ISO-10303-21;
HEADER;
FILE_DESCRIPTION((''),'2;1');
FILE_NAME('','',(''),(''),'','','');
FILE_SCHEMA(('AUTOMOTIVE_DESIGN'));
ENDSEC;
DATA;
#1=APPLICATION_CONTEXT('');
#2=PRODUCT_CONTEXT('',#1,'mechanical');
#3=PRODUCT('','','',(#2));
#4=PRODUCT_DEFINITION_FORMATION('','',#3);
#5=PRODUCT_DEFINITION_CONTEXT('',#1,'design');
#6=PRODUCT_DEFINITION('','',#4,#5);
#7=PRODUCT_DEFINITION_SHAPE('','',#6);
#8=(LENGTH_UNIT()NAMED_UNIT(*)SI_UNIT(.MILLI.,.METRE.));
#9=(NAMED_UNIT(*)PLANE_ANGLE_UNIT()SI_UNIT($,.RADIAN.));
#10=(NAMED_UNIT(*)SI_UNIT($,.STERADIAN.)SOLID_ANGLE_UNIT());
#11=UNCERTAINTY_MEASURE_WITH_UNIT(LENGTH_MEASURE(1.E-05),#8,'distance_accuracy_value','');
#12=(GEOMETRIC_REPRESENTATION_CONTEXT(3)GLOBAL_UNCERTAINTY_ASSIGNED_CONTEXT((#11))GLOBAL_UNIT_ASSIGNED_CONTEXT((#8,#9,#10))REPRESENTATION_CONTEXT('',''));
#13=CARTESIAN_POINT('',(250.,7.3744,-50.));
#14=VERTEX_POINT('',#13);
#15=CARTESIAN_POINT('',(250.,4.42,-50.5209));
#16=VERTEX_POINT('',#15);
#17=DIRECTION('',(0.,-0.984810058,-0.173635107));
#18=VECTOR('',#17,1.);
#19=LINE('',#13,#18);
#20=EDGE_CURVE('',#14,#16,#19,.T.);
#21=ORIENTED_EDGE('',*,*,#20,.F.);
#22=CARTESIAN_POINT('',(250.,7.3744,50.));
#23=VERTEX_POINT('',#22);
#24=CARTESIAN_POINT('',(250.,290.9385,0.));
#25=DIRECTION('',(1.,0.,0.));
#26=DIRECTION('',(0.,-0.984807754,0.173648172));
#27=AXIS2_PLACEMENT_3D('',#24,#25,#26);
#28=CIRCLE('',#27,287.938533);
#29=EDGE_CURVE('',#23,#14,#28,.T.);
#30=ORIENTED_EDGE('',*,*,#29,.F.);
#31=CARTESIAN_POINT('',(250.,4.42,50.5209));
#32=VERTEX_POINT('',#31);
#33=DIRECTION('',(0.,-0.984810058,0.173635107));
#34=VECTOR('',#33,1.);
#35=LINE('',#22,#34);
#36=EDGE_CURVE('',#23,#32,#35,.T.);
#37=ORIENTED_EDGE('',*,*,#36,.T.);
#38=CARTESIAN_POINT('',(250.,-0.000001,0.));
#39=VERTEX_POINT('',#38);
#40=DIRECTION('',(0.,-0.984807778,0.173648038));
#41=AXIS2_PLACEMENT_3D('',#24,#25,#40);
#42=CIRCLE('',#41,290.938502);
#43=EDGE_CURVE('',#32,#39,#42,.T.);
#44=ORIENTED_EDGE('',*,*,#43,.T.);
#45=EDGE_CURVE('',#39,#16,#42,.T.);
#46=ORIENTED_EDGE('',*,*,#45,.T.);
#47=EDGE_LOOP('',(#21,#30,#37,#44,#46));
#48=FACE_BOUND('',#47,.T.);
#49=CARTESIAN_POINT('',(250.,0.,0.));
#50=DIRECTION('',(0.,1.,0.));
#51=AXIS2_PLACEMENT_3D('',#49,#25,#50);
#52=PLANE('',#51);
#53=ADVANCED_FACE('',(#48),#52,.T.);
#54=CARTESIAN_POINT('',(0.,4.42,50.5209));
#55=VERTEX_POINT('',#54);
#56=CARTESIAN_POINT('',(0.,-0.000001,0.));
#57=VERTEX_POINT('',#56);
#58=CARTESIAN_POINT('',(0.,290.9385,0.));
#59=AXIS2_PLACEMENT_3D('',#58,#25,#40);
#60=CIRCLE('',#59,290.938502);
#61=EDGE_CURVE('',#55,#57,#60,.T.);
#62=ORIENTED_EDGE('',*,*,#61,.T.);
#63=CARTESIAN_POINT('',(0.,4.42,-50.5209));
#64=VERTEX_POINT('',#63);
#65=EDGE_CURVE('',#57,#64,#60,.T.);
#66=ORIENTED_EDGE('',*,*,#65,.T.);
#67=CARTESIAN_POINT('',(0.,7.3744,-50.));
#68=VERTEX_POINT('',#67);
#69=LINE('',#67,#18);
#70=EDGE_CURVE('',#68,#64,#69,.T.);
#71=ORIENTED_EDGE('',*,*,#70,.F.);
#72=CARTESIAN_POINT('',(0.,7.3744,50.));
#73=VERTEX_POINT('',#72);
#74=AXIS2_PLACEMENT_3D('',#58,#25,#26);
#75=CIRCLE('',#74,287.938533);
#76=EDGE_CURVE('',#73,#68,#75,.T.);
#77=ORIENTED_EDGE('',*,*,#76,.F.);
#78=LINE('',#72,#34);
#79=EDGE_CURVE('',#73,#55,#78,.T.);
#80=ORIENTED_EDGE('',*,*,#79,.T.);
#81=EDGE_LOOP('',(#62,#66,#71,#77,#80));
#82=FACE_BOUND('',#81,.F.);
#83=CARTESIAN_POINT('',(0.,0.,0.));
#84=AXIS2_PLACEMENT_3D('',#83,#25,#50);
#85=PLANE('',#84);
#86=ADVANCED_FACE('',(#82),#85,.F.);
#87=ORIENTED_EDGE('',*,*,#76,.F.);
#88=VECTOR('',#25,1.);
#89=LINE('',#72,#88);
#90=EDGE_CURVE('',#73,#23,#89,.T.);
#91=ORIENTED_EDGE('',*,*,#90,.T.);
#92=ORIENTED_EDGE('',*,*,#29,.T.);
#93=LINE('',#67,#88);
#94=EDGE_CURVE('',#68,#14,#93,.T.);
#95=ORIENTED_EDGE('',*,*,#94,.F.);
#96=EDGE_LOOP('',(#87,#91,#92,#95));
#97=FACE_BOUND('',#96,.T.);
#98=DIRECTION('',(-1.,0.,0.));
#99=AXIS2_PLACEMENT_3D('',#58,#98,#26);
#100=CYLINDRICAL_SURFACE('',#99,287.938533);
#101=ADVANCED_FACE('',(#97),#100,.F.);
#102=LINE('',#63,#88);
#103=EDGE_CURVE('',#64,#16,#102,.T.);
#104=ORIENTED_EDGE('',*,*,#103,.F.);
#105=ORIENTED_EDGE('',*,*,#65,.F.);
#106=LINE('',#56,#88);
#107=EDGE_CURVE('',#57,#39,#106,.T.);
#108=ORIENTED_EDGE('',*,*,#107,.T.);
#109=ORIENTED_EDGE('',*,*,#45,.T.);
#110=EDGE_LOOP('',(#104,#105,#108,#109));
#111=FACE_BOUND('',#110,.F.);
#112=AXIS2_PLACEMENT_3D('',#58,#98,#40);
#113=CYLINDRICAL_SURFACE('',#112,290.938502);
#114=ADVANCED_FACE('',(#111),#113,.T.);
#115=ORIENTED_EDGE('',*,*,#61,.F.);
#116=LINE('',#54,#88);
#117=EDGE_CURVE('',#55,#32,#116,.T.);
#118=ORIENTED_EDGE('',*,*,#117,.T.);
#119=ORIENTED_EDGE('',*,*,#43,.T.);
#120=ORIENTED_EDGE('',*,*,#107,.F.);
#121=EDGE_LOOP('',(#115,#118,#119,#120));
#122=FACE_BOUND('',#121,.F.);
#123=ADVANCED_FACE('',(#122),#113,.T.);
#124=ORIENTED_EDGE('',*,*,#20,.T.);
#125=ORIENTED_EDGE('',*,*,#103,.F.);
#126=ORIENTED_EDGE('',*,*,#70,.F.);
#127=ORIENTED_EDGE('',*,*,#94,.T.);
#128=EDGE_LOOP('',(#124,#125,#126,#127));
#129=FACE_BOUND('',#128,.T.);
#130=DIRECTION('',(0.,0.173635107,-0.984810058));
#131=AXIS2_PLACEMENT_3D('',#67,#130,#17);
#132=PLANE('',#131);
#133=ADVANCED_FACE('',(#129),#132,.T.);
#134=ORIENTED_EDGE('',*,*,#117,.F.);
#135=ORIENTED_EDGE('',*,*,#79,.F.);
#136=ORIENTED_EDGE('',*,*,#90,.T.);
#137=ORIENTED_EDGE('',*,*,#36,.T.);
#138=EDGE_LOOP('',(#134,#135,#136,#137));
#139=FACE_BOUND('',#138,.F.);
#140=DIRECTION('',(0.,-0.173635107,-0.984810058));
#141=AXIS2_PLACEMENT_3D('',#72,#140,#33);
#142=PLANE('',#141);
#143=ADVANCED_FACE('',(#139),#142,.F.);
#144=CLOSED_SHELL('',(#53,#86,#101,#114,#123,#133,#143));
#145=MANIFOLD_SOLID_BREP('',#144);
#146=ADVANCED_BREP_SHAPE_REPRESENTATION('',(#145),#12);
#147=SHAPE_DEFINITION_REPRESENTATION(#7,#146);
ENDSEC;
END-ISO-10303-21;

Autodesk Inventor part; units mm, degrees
ref_plane "YZ Plane" through (0, 0, 0) normal (1, 0, 0) x (0, 1, 0)
ref_plane "XZ Plane" through (0, 0, 0) normal (0, 1, 0) x (-1, 0, 0)
ref_plane "XY Plane" through (0, 0, 0) normal (0, 0, 1) x (1, 0, 0)
sketch "スケッチ1" plane through (0, 0, 0) normal (1, 0, 0) x (0, 1, 0)
  arc A0 (7.3744, 50) -> (7.3744, -50) centre (290.9385, 0) ccw
  arc A1 (4.42, 50.5209) -> (4.42, -50.5209) centre (290.9385, 0) ccw
  line L0 (7.3744, 50) -> (4.42, 50.5209)
  line L1 (7.3744, -50) -> (4.42, -50.5209)
  line L2 (0, -70.7293) -> (0, 70.7293) projected
  point P0 (0, 0)
  point P1 (0, 0)
  dimension "d0" = 3
  dimension "d1" = 100
  dimension "d2" = 20
extrude "押し出し1" add sketch "スケッチ1" along normal blind 250
properties part number "element_3" material "CFRP"
